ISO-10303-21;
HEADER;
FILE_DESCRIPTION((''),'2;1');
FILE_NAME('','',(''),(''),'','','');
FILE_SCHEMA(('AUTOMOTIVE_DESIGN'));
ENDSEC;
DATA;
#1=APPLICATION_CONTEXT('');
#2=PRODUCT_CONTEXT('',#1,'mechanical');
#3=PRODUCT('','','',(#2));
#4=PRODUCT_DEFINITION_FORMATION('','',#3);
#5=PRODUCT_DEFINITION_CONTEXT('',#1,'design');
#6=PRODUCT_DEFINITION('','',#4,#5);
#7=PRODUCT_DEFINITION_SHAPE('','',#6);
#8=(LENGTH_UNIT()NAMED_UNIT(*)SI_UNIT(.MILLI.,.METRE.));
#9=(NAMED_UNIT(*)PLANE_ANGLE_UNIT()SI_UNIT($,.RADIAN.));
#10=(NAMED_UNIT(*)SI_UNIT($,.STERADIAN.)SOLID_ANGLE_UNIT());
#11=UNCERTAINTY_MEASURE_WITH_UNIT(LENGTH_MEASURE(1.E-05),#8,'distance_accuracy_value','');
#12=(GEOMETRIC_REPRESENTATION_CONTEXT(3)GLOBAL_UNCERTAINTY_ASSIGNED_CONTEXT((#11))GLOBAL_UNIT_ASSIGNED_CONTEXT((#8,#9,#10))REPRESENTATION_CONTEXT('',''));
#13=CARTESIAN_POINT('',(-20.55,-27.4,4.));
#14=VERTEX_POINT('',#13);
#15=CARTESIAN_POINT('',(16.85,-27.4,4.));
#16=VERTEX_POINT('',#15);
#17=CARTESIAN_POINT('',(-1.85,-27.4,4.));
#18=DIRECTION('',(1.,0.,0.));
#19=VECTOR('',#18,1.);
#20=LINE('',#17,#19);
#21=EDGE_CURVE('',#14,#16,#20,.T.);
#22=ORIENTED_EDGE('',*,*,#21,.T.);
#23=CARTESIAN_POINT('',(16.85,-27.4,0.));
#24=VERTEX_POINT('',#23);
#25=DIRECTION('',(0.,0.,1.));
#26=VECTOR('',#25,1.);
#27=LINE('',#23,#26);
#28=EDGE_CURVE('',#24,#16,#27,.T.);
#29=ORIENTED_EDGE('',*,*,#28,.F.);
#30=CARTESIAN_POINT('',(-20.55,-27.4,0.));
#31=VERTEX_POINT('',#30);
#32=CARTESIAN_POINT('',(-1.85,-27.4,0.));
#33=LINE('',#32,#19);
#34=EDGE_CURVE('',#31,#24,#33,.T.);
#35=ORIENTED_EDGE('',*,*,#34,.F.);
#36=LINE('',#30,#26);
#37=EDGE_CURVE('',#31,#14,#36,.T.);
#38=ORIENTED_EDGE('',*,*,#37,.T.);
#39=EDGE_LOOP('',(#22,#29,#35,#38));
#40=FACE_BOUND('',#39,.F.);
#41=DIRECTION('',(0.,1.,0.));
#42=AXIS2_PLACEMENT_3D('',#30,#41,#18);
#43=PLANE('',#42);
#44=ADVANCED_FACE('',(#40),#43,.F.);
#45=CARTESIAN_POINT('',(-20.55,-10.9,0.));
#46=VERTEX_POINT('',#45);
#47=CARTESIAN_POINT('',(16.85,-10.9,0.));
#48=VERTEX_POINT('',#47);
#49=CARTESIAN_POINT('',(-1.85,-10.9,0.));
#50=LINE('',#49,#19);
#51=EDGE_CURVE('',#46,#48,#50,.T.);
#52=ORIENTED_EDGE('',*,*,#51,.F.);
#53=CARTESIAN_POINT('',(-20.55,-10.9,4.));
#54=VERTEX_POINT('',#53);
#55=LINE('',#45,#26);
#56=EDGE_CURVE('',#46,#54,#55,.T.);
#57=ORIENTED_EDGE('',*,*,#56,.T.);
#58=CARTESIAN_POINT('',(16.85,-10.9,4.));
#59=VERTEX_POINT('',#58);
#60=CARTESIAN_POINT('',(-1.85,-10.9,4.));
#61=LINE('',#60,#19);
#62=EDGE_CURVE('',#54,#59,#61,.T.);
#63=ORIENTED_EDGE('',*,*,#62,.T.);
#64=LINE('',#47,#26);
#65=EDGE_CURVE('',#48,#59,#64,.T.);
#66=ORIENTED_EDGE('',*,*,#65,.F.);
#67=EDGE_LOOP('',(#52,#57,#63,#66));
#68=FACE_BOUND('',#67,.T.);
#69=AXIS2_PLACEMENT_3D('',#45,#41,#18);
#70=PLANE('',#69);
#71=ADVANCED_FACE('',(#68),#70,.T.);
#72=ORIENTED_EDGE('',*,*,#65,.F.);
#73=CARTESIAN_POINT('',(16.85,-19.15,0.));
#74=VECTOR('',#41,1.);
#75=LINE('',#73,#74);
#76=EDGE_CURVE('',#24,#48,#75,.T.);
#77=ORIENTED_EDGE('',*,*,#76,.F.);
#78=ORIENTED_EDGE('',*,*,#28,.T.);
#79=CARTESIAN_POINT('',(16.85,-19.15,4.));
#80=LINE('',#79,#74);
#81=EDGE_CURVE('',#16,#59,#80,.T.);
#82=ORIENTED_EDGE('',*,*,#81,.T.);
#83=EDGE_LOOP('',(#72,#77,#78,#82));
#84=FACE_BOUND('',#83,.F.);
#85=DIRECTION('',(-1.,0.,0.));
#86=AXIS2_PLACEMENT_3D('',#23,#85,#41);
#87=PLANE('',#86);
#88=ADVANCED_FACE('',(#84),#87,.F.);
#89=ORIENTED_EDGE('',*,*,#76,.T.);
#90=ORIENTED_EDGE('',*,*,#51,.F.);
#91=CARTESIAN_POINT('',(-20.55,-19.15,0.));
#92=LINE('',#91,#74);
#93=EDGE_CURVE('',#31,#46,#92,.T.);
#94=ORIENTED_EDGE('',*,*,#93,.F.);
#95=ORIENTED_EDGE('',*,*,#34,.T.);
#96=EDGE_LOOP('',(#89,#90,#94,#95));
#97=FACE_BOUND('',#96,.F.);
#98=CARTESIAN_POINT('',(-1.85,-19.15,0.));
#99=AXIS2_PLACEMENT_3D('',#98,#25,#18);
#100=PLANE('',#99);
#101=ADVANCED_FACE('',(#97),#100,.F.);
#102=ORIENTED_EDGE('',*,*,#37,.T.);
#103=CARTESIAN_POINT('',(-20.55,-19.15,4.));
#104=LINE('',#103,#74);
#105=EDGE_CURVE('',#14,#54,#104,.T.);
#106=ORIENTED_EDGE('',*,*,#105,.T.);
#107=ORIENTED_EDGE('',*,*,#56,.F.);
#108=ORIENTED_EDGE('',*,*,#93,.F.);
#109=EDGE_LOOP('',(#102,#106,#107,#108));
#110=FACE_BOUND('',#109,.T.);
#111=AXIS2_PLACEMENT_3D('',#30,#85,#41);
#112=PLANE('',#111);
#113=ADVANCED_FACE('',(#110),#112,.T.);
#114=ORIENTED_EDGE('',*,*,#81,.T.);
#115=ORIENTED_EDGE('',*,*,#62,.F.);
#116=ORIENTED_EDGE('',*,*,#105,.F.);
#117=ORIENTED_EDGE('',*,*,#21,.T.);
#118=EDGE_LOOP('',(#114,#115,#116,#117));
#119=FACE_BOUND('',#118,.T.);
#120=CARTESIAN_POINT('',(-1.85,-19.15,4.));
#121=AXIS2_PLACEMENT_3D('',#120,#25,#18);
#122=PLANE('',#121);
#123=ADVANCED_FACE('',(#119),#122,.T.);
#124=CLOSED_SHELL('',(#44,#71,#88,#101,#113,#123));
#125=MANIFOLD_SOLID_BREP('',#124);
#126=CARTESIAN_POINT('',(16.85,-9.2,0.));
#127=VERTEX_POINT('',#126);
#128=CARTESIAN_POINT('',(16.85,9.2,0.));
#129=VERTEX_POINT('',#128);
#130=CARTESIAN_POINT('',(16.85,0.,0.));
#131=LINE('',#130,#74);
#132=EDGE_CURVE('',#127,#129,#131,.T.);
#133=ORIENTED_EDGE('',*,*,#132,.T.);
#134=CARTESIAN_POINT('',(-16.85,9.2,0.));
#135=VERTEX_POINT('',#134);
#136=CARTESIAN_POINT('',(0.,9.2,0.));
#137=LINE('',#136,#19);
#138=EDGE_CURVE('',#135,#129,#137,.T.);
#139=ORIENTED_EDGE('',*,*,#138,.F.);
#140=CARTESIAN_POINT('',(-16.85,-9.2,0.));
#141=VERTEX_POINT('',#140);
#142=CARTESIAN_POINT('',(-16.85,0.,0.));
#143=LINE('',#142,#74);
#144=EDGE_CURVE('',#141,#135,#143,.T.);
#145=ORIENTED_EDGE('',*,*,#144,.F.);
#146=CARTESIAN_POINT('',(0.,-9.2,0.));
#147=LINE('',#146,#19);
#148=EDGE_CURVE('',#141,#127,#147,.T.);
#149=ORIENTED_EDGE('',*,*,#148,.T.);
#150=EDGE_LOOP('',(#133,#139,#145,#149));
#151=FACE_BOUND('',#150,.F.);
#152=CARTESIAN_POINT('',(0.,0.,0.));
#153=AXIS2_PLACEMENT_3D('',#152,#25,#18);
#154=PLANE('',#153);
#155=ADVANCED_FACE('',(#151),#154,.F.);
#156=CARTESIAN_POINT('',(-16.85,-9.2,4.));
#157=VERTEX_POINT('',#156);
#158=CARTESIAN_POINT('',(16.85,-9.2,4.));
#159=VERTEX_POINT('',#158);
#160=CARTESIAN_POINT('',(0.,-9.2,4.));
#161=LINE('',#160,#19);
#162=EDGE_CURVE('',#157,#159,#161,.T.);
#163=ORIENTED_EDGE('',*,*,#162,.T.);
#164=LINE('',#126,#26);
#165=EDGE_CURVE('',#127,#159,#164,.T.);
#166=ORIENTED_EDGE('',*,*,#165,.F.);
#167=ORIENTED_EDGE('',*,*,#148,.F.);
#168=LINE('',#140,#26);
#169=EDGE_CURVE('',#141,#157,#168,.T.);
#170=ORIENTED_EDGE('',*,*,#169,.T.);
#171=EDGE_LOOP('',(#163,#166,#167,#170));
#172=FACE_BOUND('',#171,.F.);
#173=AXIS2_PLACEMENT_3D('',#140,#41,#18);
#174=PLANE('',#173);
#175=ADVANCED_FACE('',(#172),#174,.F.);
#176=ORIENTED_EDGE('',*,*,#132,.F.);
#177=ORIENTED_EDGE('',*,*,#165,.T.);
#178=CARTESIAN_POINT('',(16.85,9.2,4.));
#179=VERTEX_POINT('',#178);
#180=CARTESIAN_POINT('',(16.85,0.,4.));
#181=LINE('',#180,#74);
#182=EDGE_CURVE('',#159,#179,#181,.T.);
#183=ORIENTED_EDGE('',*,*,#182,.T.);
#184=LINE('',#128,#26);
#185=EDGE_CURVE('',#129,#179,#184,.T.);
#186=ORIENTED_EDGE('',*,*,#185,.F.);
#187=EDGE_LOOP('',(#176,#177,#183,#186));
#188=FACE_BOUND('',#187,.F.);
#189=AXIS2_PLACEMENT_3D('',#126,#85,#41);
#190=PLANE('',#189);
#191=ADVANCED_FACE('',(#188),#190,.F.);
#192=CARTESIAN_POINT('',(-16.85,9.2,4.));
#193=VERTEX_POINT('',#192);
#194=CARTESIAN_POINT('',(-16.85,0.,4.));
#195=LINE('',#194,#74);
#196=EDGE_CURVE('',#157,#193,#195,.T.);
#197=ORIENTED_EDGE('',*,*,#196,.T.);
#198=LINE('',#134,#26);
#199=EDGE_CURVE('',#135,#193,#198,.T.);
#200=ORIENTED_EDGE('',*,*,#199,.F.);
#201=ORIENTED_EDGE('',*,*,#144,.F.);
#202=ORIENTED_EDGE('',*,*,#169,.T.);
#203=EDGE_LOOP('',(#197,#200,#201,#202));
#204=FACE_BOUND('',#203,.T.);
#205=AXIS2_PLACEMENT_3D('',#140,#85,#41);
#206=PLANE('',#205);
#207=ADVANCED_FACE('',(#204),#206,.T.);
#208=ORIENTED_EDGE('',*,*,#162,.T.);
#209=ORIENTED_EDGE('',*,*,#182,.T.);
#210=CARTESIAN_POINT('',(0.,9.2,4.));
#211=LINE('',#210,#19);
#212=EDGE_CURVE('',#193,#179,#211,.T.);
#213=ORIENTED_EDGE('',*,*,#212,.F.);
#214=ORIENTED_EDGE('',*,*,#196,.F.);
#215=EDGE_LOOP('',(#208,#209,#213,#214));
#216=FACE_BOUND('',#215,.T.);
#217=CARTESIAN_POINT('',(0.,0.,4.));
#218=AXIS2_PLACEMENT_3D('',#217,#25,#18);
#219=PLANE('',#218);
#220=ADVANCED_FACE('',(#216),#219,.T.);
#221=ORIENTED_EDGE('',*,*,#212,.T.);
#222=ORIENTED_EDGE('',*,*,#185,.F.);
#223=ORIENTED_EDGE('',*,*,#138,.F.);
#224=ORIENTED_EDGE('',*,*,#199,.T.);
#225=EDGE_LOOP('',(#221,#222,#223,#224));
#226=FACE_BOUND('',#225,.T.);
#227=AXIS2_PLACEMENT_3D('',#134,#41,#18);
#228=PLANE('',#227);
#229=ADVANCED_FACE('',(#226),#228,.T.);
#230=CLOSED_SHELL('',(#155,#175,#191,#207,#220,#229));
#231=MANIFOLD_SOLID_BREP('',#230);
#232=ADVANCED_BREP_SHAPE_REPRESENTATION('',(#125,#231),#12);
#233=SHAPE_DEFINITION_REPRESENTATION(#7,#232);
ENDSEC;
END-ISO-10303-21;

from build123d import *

# Parameters (mm, degrees)
F0_W     = 33.7
F0_H     = 18.4
F0_W_2   = 37.4
F0_H_2   = 16.5
F1_DEPTH = 4


with BuildPart() as f1:
    # F0 (on Top) → F1 (new body)
    with BuildSketch(Plane.XY):
        Rectangle(F0_W, F0_H)
        with Locations((-1.85, -19.15)):
            Rectangle(F0_W_2, F0_H_2)
    extrude(amount=F1_DEPTH)


solid = f1.part
